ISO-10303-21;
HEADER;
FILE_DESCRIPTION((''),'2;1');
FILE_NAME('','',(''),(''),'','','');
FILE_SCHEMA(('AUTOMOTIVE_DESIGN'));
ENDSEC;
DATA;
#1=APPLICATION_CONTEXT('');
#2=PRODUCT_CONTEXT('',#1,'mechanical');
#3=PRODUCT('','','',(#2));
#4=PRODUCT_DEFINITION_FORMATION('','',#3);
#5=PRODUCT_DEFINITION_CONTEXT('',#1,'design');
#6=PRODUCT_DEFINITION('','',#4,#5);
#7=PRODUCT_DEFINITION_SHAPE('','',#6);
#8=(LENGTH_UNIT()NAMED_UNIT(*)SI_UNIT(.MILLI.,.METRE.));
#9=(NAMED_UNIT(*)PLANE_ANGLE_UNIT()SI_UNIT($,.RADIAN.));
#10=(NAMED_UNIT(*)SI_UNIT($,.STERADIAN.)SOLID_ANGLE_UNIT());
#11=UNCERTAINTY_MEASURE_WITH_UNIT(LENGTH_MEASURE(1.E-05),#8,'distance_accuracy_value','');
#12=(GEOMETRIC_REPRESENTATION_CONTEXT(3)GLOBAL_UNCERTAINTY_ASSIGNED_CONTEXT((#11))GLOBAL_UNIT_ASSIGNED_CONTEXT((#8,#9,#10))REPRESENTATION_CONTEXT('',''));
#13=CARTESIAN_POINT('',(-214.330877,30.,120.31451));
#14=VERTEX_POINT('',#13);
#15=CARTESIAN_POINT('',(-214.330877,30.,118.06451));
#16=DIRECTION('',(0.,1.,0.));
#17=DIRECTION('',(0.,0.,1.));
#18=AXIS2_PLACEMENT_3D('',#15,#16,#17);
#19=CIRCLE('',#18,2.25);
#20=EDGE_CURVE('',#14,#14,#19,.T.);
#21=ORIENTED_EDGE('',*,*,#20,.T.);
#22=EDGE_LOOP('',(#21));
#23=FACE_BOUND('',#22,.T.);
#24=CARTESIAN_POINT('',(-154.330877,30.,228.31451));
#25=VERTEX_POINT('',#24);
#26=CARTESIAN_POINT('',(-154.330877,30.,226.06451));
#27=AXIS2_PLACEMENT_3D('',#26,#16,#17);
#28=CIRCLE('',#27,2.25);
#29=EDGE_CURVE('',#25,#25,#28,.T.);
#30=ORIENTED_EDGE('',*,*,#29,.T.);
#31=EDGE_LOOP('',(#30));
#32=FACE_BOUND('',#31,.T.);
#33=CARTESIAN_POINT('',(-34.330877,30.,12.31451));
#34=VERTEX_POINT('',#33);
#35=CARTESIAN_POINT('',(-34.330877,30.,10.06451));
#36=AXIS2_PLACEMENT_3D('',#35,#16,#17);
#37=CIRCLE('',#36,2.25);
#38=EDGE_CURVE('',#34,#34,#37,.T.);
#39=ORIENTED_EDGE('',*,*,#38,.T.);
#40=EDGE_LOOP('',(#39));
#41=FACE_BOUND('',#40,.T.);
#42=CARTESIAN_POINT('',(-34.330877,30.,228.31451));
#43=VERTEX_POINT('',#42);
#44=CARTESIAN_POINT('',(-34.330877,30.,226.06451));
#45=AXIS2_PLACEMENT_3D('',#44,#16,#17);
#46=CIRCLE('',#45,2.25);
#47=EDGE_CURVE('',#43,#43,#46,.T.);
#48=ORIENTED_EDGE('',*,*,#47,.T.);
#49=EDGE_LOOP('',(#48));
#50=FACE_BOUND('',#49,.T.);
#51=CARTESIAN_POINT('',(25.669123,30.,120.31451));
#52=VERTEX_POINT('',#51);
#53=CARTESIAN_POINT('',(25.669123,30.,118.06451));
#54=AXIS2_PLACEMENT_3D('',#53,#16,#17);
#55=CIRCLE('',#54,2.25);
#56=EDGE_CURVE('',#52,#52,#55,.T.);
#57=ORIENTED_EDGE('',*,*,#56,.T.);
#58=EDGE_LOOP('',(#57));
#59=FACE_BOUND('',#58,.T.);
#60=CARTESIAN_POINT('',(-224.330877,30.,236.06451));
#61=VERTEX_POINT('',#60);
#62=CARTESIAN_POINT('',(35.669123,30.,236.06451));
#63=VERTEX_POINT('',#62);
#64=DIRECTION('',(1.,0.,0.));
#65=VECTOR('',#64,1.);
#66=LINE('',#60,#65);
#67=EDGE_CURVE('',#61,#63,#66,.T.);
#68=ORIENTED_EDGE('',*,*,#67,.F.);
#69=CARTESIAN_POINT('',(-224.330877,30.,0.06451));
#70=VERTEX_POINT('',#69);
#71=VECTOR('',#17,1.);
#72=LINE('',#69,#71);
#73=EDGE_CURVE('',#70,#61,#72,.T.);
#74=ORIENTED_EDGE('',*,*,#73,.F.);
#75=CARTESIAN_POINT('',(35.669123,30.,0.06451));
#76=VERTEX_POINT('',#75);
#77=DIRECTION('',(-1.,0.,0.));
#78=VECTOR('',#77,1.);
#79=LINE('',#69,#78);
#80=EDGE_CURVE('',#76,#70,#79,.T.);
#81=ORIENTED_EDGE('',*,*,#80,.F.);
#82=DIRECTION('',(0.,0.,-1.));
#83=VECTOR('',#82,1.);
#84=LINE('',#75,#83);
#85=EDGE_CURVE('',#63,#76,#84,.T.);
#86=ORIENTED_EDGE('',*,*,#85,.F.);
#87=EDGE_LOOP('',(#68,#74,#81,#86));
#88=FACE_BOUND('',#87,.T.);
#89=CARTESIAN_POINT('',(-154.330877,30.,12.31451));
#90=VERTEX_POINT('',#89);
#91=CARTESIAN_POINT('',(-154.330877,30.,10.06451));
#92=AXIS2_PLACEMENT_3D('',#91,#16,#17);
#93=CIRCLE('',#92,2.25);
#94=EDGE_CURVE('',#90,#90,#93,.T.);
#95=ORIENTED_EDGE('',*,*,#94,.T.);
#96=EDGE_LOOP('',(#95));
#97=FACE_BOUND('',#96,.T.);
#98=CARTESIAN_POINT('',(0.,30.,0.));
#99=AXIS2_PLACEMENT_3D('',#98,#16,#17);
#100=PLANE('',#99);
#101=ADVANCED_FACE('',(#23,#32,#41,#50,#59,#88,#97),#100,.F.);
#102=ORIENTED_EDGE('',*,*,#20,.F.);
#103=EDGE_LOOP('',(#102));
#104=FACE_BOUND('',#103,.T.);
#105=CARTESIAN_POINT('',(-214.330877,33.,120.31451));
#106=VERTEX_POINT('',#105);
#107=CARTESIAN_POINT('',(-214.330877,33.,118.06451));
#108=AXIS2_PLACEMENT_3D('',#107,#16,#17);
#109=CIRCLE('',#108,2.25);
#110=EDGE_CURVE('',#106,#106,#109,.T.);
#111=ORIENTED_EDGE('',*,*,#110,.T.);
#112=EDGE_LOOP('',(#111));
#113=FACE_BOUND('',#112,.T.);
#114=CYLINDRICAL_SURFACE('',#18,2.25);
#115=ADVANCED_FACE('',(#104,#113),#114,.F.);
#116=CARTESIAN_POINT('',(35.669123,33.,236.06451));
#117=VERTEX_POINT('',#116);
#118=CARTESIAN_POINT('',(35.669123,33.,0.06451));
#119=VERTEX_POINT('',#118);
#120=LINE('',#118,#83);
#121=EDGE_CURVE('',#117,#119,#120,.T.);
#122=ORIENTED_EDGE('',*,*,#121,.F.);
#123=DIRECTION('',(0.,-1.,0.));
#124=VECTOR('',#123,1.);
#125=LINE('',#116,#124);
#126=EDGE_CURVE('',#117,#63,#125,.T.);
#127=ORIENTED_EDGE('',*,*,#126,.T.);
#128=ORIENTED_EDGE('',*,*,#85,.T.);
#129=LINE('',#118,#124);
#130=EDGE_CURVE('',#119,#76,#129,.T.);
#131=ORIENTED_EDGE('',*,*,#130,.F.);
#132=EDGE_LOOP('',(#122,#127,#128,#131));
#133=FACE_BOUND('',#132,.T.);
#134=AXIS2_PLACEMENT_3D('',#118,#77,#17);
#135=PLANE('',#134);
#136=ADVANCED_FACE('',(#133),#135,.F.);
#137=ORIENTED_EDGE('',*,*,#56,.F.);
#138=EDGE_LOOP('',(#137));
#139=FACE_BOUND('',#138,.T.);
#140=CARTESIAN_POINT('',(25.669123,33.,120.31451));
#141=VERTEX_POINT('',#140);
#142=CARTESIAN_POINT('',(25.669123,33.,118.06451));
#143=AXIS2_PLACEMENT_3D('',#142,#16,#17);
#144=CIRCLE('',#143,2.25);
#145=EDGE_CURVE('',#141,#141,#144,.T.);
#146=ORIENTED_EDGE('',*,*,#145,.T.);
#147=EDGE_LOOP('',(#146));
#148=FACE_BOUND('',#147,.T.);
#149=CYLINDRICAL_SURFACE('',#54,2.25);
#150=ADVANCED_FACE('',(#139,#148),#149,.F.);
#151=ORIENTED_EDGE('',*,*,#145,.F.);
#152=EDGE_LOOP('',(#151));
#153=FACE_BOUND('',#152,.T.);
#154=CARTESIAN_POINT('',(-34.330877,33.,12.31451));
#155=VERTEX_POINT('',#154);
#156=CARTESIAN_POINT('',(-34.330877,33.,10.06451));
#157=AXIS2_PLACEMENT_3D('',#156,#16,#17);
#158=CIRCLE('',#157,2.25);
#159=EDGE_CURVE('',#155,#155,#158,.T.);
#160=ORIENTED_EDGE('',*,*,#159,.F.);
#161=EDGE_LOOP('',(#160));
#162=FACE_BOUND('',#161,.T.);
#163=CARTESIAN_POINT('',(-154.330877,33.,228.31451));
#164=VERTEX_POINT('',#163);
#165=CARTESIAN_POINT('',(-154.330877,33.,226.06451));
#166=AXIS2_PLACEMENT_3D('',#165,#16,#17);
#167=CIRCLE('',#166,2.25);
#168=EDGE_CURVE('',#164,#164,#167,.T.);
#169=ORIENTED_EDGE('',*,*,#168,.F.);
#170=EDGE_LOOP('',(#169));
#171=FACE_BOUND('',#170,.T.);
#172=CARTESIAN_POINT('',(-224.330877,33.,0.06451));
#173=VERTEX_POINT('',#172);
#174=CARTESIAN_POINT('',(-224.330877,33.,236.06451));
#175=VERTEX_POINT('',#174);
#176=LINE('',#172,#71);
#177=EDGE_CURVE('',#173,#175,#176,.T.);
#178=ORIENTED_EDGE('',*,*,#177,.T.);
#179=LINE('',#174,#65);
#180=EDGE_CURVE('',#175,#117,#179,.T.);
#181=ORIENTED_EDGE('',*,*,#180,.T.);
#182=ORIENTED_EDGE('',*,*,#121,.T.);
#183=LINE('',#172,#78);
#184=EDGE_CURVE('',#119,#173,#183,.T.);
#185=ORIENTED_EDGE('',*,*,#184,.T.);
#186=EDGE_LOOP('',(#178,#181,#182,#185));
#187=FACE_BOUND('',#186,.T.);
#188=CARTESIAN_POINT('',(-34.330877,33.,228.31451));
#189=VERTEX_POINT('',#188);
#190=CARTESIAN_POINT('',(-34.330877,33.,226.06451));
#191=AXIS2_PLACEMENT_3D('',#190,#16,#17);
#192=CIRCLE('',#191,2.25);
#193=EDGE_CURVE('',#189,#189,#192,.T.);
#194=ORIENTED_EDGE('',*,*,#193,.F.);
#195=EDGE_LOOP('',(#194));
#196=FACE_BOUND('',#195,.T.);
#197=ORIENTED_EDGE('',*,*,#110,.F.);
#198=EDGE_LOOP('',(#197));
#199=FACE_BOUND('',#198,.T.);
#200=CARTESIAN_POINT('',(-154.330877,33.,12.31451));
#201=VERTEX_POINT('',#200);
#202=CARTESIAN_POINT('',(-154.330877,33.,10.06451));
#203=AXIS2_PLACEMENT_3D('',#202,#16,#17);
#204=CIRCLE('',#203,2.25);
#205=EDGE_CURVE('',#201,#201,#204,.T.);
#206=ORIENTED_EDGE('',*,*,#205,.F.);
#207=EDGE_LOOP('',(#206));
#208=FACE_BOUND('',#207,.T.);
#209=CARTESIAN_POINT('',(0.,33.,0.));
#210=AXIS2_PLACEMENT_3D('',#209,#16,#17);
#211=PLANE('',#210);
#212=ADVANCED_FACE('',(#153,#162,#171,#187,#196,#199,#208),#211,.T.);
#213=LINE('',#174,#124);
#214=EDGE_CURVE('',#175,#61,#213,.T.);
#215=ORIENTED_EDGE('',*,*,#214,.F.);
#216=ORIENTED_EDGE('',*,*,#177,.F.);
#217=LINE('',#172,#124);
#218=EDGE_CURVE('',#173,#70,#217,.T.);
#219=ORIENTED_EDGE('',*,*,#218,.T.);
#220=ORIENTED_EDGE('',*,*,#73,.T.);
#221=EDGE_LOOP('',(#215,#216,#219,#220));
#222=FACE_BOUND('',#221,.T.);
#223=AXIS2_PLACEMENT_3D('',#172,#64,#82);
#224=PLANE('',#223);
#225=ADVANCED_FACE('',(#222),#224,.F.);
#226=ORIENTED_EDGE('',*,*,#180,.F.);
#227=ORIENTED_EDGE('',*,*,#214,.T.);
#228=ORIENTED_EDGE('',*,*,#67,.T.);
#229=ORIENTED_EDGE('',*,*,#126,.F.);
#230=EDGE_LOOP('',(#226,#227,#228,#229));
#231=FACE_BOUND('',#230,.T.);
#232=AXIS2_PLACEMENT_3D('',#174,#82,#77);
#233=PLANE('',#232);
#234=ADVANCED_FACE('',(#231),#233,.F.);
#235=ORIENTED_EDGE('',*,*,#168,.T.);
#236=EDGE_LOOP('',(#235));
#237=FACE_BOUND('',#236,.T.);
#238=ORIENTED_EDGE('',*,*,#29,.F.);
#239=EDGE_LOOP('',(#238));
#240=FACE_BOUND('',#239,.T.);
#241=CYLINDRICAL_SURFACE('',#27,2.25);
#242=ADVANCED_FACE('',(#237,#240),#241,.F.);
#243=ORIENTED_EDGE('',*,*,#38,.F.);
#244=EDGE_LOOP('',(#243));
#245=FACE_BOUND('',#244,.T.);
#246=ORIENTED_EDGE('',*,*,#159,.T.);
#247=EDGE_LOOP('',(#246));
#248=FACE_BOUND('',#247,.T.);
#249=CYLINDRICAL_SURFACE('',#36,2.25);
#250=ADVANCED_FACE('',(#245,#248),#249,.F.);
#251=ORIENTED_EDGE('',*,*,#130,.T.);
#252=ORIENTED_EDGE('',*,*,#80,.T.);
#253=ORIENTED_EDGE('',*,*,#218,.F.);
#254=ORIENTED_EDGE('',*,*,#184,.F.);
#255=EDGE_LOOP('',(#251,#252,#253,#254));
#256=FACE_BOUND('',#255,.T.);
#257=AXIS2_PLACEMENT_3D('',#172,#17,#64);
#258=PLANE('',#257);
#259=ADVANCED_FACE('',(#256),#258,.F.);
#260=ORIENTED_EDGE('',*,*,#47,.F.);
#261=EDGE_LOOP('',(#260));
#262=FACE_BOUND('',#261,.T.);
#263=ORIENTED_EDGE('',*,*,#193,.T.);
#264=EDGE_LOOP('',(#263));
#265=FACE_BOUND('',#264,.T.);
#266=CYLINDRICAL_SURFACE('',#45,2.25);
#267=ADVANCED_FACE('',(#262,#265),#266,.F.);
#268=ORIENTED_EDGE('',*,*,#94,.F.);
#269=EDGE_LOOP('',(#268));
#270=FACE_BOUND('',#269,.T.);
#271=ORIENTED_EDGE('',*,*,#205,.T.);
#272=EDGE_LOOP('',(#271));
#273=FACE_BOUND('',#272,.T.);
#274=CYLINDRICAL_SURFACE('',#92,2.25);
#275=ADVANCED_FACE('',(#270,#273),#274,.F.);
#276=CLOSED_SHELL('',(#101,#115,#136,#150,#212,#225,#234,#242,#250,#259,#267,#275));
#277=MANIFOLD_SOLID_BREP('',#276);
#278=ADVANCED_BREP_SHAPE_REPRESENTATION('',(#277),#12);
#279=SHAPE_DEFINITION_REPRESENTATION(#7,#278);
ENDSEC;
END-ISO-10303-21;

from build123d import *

# Parameters (mm, degrees)
SKETCH_1_W          = 260
SKETCH_1_H          = 236
EXTRUDE_1_DEPTH     = 3
SKETCH_2_R          = 2.25
CUT_EXTRUDE_1_DEPTH = 4


with BuildPart() as part:
    # Эскиз1 → Бобышка-Вытянуть1 (new body)
    with BuildSketch(Plane(origin=(0, 30, 0), x_dir=(1, 0, 0), z_dir=(0, 1, 0))):
        with Locations((-94.330876849, -118.064509681)):
            Rectangle(SKETCH_1_W, SKETCH_1_H)
    extrude(amount=EXTRUDE_1_DEPTH)

    # Эскиз2 → Вырез-Вытянуть1 (cut, through all)
    with BuildSketch(Plane(origin=(0, 33, 0), x_dir=(1, 0, 0), z_dir=(0, 1, 0))):
        with Locations((-214.330876849, -118.064509681)):
            Circle(SKETCH_2_R)
        with Locations((-154.330876849, -10.064509681)):
            Circle(SKETCH_2_R)
        with Locations((-34.330876849, -10.064509681)):
            Circle(SKETCH_2_R)
        with Locations((-154.330876849, -226.064509681)):
            Circle(SKETCH_2_R)
        with Locations((-34.330876849, -226.064509681)):
            Circle(SKETCH_2_R)
        with Locations((25.669123151, -118.064509681)):
            Circle(SKETCH_2_R)
    extrude(amount=-CUT_EXTRUDE_1_DEPTH, mode=Mode.SUBTRACT)


solid = part.part
